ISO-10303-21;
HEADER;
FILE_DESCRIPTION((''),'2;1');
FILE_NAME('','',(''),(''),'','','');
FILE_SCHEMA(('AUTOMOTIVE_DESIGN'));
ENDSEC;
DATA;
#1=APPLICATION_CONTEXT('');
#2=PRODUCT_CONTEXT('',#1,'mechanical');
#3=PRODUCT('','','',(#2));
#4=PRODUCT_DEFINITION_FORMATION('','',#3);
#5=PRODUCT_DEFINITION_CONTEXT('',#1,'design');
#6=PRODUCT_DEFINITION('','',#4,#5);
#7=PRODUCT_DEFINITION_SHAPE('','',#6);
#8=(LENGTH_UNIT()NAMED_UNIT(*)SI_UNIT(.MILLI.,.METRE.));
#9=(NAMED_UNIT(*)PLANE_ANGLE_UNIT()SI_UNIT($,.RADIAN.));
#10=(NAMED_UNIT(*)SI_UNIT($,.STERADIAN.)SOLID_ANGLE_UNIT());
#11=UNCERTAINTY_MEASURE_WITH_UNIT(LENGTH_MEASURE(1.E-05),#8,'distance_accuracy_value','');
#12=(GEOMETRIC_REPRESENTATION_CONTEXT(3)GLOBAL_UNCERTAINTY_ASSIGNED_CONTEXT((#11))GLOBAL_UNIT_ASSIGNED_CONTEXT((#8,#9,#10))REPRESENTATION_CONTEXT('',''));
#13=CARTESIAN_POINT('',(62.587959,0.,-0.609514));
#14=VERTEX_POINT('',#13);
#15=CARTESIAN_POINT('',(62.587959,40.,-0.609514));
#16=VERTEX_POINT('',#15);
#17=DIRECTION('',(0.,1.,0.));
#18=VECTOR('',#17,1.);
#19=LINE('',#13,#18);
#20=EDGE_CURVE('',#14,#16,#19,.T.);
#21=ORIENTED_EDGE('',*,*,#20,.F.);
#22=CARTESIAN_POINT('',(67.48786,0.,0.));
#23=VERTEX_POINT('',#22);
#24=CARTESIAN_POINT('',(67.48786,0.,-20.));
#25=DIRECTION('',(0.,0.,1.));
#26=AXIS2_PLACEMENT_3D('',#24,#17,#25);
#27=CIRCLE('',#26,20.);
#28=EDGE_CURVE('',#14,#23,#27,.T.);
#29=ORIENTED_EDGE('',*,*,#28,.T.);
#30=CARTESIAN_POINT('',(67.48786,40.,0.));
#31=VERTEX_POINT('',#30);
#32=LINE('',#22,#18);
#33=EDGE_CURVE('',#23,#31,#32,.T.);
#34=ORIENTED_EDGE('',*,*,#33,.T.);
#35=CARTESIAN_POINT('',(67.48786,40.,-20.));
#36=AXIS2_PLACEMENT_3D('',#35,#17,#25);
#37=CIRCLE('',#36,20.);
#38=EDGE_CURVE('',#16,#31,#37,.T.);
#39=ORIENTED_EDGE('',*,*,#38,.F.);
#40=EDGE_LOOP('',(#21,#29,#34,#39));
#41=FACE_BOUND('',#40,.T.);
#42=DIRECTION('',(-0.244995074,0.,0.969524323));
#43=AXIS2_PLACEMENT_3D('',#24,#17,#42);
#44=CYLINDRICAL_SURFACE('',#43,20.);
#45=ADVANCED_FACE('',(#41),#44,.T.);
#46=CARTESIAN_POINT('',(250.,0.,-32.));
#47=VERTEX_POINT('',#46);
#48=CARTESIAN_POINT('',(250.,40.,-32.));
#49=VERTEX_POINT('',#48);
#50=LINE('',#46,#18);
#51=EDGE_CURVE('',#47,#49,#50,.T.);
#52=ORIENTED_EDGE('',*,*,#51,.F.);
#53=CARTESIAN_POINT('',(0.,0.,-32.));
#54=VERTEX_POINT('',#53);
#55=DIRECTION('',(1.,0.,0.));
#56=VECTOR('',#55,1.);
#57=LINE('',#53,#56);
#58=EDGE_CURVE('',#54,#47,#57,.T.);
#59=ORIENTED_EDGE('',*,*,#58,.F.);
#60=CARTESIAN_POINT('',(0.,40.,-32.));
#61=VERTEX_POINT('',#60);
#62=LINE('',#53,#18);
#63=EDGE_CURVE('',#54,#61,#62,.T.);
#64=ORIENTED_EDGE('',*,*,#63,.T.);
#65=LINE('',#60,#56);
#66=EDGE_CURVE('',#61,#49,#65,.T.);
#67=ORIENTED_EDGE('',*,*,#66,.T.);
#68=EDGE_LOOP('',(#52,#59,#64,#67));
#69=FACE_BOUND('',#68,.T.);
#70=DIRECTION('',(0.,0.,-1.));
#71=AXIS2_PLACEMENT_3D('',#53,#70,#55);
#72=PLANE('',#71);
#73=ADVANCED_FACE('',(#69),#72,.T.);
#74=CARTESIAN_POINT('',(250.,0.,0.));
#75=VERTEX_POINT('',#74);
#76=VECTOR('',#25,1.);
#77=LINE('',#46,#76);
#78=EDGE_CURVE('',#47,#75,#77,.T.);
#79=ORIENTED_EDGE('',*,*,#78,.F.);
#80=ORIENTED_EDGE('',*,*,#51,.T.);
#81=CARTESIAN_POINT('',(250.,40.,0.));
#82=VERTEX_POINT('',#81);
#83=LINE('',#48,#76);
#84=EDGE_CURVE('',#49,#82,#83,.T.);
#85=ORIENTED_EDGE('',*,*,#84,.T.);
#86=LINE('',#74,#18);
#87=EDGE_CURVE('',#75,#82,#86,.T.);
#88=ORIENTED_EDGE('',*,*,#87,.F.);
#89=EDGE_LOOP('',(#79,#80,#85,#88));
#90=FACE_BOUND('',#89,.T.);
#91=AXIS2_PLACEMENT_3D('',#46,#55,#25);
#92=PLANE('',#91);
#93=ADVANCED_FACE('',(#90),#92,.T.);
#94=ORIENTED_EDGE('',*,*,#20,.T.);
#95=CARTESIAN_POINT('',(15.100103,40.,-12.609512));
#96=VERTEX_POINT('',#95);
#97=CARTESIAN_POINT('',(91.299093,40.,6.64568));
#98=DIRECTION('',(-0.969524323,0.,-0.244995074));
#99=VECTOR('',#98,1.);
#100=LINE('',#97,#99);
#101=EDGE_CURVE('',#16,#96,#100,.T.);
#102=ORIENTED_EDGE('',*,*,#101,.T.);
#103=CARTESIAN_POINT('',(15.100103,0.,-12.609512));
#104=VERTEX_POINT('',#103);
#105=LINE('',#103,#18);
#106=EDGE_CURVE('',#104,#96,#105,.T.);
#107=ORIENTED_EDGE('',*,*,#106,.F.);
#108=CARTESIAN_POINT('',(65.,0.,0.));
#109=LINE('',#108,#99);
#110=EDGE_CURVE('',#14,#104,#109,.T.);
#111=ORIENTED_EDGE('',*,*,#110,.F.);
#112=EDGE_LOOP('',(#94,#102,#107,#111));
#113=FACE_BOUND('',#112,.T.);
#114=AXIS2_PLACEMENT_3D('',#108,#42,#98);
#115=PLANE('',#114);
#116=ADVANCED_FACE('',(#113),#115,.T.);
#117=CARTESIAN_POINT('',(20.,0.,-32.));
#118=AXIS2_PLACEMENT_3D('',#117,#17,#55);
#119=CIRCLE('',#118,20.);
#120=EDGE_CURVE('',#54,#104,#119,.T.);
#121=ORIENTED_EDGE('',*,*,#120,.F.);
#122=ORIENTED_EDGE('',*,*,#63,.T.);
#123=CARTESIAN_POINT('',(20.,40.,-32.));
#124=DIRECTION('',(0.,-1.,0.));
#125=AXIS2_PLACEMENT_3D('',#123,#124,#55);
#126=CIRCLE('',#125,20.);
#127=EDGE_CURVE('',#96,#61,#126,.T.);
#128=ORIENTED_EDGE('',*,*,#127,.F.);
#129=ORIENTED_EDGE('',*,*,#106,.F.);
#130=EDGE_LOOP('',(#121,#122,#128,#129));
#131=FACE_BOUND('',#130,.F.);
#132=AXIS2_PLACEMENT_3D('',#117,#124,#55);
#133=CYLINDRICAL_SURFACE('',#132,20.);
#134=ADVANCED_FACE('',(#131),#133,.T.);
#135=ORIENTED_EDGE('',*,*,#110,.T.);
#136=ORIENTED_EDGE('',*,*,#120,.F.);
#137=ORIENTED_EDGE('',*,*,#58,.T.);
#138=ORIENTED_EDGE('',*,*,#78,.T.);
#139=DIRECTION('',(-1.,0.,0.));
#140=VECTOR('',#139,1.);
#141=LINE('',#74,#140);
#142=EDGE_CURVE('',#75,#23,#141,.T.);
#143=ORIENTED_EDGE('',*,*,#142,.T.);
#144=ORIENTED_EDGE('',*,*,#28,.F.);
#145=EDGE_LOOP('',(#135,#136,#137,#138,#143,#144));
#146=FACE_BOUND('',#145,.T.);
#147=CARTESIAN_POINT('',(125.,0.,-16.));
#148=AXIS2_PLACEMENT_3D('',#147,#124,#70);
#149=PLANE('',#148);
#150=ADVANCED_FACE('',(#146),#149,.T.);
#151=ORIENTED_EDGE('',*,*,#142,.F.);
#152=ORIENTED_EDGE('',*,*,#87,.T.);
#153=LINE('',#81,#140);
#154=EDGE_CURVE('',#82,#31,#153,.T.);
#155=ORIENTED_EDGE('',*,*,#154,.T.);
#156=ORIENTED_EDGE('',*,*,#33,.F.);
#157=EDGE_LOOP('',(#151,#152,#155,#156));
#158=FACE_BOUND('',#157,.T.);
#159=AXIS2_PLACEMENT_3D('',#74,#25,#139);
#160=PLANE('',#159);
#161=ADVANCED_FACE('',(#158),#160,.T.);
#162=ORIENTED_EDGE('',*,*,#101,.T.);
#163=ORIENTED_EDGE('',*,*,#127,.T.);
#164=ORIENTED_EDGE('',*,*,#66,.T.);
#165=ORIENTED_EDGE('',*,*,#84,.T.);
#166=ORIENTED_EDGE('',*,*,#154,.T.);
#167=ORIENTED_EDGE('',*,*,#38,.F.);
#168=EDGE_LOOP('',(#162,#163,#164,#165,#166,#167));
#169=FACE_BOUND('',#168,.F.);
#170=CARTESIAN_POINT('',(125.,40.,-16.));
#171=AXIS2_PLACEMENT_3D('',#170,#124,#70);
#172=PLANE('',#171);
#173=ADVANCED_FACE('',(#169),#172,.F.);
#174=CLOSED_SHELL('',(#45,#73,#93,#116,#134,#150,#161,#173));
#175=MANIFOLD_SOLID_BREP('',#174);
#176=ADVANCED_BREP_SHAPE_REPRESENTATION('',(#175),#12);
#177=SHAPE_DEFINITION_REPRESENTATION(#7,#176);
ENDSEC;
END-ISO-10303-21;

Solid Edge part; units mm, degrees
sketch "Sketch1" plane through (0, 0, 0) normal (0, -1, 0) x (1, 0, 0)
  line L0 (0, -32) -> (250, -32)
  line L1 (250, -32) -> (250, 0)
  line L2 (250, 0) -> (0, 0)
  line L3 (0, 0) -> (0, -32)
extrude "Protrusion1" add sketch "Sketch1" against normal blind 40
fillet "Round_1" [suppressed]
sketch "Sketch2" plane through (125, 0, -16) normal (0, -1, 0) x (1, 0, 0)
  line L0 (-60, 16) -> (-109.8999, 3.3905)
  arc A0 (-125, -16) -> (-109.8999, 3.3905) centre (-105, -16) cw
  line L1 (-125, 16) -> (-125, -16)
  line L2 (-60, 16) -> (-125, 16)
extrude "ExtrudedCutout_2" cut sketch "Sketch2" against normal blind 50
fillet "Round_2" radius 20 1 edges at (65, 20, 0)
